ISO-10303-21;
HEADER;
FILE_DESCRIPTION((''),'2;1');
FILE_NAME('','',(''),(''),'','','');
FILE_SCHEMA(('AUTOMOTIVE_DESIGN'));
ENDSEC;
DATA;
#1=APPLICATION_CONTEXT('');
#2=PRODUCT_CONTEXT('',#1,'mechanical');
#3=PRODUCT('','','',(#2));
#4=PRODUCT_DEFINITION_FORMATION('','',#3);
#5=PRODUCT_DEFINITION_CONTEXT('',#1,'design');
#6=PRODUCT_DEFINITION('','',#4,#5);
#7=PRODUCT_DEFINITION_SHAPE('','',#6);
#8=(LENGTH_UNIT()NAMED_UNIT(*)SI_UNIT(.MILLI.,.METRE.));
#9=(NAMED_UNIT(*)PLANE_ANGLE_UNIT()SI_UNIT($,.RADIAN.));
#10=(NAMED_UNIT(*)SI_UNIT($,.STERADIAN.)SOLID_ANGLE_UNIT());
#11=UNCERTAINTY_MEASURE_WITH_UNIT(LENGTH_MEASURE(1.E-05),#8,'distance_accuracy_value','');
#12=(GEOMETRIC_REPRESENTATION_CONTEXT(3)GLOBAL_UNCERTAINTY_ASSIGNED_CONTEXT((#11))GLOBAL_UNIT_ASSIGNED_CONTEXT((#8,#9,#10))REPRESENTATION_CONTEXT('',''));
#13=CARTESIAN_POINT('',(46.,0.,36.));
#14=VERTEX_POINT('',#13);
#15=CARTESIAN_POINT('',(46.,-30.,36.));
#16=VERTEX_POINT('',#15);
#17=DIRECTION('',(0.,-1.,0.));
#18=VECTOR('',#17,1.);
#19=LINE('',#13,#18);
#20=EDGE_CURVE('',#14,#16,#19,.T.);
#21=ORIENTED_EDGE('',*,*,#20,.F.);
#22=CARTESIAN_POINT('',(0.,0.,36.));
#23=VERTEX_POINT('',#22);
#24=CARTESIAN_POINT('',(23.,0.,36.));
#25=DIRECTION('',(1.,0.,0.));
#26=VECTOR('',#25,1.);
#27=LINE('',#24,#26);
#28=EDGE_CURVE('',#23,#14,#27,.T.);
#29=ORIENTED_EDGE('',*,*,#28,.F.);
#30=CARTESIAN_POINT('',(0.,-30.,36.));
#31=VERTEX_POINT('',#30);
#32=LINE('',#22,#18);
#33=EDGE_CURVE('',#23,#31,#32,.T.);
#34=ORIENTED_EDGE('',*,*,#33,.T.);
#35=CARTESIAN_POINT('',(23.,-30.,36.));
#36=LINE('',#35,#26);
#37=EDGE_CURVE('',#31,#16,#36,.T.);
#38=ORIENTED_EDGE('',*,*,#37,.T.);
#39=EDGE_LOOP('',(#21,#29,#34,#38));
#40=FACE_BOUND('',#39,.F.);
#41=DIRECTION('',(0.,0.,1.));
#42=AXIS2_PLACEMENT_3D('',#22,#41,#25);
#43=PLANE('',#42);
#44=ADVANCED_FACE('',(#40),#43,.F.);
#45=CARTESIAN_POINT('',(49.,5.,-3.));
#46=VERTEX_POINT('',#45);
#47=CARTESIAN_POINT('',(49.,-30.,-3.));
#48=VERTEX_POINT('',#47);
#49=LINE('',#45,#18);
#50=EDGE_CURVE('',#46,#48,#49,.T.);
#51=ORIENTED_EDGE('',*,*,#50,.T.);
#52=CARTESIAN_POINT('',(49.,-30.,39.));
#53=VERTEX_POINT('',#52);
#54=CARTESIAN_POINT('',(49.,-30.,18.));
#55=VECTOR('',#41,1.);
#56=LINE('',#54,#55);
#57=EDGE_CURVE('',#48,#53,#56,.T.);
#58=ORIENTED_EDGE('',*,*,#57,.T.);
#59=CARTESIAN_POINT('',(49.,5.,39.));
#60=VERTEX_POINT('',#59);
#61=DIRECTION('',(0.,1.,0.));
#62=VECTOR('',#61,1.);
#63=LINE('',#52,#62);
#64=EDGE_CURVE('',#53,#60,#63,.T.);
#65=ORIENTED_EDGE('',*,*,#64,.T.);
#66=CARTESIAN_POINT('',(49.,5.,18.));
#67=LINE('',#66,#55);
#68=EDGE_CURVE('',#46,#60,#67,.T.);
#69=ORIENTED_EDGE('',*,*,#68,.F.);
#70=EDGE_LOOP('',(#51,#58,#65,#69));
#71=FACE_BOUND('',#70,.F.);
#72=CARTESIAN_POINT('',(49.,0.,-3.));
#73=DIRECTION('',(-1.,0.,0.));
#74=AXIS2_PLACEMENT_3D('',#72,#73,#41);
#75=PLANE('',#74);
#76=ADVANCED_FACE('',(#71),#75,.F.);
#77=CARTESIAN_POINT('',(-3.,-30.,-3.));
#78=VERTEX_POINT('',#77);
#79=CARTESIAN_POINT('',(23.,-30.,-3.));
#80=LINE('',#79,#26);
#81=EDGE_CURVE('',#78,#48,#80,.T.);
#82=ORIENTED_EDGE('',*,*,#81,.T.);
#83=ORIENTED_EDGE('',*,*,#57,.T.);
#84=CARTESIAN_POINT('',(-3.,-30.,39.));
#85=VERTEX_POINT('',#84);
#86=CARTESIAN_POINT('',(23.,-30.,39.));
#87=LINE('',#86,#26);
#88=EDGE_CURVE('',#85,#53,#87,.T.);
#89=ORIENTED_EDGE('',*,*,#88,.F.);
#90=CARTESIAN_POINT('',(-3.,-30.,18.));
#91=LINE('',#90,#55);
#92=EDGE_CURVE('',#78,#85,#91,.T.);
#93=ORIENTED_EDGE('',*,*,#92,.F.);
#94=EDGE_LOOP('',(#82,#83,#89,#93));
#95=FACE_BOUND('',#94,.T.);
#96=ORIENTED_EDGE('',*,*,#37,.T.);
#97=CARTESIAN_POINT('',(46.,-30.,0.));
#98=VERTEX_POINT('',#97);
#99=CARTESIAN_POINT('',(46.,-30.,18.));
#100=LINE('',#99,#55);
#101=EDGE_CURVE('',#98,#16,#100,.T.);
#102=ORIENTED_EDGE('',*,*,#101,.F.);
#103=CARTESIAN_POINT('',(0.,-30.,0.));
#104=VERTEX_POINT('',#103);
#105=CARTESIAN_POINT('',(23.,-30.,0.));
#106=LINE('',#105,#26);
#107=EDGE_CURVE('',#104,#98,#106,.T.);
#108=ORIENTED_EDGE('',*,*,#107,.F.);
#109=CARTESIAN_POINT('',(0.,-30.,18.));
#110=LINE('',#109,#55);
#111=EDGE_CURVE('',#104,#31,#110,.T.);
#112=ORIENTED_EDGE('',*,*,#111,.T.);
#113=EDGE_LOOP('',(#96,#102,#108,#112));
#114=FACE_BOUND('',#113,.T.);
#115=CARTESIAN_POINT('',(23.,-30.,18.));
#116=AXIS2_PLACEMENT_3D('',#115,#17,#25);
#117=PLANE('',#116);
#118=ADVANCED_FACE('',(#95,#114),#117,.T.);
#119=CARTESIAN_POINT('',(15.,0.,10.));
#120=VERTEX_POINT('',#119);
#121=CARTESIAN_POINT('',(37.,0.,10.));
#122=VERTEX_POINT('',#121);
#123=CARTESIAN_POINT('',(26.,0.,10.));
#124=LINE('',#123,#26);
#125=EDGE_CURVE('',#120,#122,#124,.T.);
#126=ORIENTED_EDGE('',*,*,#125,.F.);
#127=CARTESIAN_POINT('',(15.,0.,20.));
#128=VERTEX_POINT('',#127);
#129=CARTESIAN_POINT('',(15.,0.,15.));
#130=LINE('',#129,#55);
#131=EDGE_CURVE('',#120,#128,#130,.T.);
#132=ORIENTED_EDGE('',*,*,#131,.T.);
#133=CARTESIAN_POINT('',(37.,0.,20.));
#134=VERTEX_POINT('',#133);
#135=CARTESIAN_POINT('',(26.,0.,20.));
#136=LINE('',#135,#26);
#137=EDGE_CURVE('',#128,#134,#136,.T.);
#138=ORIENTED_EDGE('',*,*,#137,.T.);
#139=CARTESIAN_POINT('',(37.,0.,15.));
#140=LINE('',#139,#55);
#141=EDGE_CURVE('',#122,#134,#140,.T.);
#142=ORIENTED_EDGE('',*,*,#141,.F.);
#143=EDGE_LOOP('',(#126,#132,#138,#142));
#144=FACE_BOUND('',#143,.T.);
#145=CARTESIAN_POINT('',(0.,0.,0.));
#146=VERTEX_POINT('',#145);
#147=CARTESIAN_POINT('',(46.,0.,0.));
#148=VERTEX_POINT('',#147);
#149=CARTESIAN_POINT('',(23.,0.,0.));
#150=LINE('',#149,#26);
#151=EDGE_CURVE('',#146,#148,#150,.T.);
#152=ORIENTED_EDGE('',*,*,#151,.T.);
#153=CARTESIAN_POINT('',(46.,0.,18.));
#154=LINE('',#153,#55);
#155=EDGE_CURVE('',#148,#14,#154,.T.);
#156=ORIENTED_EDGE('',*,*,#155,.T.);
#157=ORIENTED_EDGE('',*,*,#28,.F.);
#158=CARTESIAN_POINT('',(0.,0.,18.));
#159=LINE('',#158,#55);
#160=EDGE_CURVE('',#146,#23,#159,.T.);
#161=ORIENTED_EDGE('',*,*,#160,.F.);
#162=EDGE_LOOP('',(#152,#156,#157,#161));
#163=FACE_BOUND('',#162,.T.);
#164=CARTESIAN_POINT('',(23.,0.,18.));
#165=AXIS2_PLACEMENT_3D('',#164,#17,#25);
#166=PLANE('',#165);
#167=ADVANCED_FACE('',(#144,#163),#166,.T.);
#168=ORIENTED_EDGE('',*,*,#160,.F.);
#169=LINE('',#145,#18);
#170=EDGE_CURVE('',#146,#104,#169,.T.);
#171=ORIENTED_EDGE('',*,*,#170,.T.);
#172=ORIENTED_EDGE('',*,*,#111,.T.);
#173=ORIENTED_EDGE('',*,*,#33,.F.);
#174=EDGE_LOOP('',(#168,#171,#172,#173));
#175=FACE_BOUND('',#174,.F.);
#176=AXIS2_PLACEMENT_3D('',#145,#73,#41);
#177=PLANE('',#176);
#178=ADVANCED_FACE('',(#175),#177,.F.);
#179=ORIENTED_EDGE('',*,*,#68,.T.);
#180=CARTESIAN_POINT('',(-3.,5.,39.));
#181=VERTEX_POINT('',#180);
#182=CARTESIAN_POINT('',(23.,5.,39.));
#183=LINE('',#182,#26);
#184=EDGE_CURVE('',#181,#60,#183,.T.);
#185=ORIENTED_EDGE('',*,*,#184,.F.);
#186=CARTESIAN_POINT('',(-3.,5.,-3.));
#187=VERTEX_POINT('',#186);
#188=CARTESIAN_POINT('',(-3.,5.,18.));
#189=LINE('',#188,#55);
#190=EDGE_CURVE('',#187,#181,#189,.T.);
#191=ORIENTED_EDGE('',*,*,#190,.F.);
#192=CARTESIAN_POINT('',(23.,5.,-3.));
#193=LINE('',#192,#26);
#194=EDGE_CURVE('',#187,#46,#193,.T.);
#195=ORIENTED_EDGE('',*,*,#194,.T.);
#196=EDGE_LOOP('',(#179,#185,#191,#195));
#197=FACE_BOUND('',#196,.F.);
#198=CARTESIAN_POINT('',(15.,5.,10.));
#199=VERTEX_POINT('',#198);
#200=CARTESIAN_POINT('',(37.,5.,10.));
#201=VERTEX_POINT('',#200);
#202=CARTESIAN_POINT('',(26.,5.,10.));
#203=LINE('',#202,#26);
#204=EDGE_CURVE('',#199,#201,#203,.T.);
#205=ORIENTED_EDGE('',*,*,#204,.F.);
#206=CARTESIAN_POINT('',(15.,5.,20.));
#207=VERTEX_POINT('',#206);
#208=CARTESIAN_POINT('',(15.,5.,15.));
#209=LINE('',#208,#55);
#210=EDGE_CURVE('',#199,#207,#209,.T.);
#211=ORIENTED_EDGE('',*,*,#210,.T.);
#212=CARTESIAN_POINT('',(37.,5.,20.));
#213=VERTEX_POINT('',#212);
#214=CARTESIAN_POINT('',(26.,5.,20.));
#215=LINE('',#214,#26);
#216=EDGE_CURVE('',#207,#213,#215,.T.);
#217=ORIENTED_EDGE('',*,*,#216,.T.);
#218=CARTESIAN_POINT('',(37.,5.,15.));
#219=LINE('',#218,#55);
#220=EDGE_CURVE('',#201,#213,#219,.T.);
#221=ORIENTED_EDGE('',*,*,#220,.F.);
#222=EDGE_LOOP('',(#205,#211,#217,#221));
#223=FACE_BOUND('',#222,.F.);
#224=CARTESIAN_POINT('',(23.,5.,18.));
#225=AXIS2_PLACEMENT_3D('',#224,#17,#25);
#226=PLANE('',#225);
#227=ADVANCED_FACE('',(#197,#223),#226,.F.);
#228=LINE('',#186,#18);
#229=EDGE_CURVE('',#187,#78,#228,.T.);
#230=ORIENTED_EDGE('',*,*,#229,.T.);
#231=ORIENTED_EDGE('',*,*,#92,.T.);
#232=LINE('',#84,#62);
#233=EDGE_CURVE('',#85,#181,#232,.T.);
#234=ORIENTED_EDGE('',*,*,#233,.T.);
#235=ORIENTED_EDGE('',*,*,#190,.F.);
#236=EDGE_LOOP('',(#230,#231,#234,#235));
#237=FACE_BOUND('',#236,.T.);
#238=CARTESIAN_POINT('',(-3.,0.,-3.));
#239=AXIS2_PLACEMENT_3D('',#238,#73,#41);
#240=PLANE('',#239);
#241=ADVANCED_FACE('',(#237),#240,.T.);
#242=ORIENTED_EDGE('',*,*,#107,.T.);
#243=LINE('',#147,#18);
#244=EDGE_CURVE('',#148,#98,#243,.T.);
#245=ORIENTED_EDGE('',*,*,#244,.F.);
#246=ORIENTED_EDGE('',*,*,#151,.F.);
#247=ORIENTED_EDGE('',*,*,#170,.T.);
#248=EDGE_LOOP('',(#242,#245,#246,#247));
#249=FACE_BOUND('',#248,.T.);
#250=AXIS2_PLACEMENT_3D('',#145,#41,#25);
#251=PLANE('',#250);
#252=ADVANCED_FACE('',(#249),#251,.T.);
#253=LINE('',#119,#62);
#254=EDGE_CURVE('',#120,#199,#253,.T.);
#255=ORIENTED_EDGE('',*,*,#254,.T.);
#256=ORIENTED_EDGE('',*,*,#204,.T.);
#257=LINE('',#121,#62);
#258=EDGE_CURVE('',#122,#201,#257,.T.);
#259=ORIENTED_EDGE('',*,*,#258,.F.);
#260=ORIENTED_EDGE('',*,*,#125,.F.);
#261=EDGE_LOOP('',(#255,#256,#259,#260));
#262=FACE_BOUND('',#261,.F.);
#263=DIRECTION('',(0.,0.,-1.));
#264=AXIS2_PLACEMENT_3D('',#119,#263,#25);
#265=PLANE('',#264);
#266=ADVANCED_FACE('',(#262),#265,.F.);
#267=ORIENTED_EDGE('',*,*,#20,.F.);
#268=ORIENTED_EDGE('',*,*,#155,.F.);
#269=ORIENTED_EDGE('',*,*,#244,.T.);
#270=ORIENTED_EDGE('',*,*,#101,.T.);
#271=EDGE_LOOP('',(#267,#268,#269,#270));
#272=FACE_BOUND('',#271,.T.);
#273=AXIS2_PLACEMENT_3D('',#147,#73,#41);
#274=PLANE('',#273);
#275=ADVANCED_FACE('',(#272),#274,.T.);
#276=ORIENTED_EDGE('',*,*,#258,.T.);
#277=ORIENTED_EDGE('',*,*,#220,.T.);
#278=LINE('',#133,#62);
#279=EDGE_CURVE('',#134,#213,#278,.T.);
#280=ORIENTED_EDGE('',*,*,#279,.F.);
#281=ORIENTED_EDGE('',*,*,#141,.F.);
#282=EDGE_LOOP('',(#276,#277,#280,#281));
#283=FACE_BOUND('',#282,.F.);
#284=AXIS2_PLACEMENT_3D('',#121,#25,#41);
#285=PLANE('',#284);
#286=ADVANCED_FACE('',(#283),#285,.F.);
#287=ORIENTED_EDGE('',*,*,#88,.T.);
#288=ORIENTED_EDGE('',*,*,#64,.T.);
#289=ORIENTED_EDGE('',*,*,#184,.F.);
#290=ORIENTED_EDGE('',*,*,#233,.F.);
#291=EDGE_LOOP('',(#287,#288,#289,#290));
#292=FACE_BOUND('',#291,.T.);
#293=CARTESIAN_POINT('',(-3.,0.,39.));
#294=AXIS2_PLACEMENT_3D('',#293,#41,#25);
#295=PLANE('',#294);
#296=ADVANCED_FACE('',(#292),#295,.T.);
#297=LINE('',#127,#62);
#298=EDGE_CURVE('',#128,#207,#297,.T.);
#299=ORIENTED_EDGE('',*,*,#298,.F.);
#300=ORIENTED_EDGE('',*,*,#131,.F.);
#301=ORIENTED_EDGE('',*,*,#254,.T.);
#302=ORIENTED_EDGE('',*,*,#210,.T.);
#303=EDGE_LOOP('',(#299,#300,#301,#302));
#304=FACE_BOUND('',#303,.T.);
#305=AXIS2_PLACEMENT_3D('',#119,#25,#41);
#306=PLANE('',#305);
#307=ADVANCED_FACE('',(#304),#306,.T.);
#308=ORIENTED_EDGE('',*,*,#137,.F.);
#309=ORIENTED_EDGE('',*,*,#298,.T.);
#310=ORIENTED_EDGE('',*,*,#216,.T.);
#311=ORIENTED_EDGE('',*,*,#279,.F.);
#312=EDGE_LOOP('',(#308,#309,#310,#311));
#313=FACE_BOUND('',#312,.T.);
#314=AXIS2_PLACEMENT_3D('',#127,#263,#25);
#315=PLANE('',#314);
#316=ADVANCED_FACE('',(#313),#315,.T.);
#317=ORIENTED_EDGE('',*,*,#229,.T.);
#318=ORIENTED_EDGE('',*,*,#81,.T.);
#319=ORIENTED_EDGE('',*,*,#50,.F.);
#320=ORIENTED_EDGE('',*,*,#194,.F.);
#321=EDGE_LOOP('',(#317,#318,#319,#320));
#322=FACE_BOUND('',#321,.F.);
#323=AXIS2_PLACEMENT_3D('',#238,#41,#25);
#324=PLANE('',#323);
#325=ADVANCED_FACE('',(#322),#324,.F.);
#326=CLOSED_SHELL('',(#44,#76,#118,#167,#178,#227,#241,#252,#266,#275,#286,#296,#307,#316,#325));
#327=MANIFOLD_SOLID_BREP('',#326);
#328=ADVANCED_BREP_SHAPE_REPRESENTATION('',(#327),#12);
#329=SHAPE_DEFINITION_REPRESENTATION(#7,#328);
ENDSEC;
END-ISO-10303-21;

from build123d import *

# Parameters (mm, degrees)
F0_W     = 52
F0_H     = 42
F0_W_2   = 46
F0_H_2   = 36
F0_W_3   = 22
F0_H_3   = 10
F1_DEPTH = 5
F2_DEPTH = 30


with BuildPart() as f1:
    # F0 (on Front) → F1 (new body)
    with BuildSketch(Plane.XZ):
        with Locations((23, 18)):
            Rectangle(F0_W, F0_H)
        with Locations((23, 18)):
            Rectangle(F0_W_2, F0_H_2, mode=Mode.SUBTRACT)
        with Locations((23, 18)):
            Rectangle(F0_W_2, F0_H_2)
        with Locations((26, 15)):
            Rectangle(F0_W_3, F0_H_3, mode=Mode.SUBTRACT)
    extrude(amount=-F1_DEPTH)

    # F0 (on Front) → F2 (join)
    with BuildSketch(Plane.XZ):
        with Locations((23, 18)):
            Rectangle(F0_W, F0_H)
        with Locations((23, 18)):
            Rectangle(F0_W_2, F0_H_2, mode=Mode.SUBTRACT)
    extrude(amount=F2_DEPTH)


solid = f1.part
